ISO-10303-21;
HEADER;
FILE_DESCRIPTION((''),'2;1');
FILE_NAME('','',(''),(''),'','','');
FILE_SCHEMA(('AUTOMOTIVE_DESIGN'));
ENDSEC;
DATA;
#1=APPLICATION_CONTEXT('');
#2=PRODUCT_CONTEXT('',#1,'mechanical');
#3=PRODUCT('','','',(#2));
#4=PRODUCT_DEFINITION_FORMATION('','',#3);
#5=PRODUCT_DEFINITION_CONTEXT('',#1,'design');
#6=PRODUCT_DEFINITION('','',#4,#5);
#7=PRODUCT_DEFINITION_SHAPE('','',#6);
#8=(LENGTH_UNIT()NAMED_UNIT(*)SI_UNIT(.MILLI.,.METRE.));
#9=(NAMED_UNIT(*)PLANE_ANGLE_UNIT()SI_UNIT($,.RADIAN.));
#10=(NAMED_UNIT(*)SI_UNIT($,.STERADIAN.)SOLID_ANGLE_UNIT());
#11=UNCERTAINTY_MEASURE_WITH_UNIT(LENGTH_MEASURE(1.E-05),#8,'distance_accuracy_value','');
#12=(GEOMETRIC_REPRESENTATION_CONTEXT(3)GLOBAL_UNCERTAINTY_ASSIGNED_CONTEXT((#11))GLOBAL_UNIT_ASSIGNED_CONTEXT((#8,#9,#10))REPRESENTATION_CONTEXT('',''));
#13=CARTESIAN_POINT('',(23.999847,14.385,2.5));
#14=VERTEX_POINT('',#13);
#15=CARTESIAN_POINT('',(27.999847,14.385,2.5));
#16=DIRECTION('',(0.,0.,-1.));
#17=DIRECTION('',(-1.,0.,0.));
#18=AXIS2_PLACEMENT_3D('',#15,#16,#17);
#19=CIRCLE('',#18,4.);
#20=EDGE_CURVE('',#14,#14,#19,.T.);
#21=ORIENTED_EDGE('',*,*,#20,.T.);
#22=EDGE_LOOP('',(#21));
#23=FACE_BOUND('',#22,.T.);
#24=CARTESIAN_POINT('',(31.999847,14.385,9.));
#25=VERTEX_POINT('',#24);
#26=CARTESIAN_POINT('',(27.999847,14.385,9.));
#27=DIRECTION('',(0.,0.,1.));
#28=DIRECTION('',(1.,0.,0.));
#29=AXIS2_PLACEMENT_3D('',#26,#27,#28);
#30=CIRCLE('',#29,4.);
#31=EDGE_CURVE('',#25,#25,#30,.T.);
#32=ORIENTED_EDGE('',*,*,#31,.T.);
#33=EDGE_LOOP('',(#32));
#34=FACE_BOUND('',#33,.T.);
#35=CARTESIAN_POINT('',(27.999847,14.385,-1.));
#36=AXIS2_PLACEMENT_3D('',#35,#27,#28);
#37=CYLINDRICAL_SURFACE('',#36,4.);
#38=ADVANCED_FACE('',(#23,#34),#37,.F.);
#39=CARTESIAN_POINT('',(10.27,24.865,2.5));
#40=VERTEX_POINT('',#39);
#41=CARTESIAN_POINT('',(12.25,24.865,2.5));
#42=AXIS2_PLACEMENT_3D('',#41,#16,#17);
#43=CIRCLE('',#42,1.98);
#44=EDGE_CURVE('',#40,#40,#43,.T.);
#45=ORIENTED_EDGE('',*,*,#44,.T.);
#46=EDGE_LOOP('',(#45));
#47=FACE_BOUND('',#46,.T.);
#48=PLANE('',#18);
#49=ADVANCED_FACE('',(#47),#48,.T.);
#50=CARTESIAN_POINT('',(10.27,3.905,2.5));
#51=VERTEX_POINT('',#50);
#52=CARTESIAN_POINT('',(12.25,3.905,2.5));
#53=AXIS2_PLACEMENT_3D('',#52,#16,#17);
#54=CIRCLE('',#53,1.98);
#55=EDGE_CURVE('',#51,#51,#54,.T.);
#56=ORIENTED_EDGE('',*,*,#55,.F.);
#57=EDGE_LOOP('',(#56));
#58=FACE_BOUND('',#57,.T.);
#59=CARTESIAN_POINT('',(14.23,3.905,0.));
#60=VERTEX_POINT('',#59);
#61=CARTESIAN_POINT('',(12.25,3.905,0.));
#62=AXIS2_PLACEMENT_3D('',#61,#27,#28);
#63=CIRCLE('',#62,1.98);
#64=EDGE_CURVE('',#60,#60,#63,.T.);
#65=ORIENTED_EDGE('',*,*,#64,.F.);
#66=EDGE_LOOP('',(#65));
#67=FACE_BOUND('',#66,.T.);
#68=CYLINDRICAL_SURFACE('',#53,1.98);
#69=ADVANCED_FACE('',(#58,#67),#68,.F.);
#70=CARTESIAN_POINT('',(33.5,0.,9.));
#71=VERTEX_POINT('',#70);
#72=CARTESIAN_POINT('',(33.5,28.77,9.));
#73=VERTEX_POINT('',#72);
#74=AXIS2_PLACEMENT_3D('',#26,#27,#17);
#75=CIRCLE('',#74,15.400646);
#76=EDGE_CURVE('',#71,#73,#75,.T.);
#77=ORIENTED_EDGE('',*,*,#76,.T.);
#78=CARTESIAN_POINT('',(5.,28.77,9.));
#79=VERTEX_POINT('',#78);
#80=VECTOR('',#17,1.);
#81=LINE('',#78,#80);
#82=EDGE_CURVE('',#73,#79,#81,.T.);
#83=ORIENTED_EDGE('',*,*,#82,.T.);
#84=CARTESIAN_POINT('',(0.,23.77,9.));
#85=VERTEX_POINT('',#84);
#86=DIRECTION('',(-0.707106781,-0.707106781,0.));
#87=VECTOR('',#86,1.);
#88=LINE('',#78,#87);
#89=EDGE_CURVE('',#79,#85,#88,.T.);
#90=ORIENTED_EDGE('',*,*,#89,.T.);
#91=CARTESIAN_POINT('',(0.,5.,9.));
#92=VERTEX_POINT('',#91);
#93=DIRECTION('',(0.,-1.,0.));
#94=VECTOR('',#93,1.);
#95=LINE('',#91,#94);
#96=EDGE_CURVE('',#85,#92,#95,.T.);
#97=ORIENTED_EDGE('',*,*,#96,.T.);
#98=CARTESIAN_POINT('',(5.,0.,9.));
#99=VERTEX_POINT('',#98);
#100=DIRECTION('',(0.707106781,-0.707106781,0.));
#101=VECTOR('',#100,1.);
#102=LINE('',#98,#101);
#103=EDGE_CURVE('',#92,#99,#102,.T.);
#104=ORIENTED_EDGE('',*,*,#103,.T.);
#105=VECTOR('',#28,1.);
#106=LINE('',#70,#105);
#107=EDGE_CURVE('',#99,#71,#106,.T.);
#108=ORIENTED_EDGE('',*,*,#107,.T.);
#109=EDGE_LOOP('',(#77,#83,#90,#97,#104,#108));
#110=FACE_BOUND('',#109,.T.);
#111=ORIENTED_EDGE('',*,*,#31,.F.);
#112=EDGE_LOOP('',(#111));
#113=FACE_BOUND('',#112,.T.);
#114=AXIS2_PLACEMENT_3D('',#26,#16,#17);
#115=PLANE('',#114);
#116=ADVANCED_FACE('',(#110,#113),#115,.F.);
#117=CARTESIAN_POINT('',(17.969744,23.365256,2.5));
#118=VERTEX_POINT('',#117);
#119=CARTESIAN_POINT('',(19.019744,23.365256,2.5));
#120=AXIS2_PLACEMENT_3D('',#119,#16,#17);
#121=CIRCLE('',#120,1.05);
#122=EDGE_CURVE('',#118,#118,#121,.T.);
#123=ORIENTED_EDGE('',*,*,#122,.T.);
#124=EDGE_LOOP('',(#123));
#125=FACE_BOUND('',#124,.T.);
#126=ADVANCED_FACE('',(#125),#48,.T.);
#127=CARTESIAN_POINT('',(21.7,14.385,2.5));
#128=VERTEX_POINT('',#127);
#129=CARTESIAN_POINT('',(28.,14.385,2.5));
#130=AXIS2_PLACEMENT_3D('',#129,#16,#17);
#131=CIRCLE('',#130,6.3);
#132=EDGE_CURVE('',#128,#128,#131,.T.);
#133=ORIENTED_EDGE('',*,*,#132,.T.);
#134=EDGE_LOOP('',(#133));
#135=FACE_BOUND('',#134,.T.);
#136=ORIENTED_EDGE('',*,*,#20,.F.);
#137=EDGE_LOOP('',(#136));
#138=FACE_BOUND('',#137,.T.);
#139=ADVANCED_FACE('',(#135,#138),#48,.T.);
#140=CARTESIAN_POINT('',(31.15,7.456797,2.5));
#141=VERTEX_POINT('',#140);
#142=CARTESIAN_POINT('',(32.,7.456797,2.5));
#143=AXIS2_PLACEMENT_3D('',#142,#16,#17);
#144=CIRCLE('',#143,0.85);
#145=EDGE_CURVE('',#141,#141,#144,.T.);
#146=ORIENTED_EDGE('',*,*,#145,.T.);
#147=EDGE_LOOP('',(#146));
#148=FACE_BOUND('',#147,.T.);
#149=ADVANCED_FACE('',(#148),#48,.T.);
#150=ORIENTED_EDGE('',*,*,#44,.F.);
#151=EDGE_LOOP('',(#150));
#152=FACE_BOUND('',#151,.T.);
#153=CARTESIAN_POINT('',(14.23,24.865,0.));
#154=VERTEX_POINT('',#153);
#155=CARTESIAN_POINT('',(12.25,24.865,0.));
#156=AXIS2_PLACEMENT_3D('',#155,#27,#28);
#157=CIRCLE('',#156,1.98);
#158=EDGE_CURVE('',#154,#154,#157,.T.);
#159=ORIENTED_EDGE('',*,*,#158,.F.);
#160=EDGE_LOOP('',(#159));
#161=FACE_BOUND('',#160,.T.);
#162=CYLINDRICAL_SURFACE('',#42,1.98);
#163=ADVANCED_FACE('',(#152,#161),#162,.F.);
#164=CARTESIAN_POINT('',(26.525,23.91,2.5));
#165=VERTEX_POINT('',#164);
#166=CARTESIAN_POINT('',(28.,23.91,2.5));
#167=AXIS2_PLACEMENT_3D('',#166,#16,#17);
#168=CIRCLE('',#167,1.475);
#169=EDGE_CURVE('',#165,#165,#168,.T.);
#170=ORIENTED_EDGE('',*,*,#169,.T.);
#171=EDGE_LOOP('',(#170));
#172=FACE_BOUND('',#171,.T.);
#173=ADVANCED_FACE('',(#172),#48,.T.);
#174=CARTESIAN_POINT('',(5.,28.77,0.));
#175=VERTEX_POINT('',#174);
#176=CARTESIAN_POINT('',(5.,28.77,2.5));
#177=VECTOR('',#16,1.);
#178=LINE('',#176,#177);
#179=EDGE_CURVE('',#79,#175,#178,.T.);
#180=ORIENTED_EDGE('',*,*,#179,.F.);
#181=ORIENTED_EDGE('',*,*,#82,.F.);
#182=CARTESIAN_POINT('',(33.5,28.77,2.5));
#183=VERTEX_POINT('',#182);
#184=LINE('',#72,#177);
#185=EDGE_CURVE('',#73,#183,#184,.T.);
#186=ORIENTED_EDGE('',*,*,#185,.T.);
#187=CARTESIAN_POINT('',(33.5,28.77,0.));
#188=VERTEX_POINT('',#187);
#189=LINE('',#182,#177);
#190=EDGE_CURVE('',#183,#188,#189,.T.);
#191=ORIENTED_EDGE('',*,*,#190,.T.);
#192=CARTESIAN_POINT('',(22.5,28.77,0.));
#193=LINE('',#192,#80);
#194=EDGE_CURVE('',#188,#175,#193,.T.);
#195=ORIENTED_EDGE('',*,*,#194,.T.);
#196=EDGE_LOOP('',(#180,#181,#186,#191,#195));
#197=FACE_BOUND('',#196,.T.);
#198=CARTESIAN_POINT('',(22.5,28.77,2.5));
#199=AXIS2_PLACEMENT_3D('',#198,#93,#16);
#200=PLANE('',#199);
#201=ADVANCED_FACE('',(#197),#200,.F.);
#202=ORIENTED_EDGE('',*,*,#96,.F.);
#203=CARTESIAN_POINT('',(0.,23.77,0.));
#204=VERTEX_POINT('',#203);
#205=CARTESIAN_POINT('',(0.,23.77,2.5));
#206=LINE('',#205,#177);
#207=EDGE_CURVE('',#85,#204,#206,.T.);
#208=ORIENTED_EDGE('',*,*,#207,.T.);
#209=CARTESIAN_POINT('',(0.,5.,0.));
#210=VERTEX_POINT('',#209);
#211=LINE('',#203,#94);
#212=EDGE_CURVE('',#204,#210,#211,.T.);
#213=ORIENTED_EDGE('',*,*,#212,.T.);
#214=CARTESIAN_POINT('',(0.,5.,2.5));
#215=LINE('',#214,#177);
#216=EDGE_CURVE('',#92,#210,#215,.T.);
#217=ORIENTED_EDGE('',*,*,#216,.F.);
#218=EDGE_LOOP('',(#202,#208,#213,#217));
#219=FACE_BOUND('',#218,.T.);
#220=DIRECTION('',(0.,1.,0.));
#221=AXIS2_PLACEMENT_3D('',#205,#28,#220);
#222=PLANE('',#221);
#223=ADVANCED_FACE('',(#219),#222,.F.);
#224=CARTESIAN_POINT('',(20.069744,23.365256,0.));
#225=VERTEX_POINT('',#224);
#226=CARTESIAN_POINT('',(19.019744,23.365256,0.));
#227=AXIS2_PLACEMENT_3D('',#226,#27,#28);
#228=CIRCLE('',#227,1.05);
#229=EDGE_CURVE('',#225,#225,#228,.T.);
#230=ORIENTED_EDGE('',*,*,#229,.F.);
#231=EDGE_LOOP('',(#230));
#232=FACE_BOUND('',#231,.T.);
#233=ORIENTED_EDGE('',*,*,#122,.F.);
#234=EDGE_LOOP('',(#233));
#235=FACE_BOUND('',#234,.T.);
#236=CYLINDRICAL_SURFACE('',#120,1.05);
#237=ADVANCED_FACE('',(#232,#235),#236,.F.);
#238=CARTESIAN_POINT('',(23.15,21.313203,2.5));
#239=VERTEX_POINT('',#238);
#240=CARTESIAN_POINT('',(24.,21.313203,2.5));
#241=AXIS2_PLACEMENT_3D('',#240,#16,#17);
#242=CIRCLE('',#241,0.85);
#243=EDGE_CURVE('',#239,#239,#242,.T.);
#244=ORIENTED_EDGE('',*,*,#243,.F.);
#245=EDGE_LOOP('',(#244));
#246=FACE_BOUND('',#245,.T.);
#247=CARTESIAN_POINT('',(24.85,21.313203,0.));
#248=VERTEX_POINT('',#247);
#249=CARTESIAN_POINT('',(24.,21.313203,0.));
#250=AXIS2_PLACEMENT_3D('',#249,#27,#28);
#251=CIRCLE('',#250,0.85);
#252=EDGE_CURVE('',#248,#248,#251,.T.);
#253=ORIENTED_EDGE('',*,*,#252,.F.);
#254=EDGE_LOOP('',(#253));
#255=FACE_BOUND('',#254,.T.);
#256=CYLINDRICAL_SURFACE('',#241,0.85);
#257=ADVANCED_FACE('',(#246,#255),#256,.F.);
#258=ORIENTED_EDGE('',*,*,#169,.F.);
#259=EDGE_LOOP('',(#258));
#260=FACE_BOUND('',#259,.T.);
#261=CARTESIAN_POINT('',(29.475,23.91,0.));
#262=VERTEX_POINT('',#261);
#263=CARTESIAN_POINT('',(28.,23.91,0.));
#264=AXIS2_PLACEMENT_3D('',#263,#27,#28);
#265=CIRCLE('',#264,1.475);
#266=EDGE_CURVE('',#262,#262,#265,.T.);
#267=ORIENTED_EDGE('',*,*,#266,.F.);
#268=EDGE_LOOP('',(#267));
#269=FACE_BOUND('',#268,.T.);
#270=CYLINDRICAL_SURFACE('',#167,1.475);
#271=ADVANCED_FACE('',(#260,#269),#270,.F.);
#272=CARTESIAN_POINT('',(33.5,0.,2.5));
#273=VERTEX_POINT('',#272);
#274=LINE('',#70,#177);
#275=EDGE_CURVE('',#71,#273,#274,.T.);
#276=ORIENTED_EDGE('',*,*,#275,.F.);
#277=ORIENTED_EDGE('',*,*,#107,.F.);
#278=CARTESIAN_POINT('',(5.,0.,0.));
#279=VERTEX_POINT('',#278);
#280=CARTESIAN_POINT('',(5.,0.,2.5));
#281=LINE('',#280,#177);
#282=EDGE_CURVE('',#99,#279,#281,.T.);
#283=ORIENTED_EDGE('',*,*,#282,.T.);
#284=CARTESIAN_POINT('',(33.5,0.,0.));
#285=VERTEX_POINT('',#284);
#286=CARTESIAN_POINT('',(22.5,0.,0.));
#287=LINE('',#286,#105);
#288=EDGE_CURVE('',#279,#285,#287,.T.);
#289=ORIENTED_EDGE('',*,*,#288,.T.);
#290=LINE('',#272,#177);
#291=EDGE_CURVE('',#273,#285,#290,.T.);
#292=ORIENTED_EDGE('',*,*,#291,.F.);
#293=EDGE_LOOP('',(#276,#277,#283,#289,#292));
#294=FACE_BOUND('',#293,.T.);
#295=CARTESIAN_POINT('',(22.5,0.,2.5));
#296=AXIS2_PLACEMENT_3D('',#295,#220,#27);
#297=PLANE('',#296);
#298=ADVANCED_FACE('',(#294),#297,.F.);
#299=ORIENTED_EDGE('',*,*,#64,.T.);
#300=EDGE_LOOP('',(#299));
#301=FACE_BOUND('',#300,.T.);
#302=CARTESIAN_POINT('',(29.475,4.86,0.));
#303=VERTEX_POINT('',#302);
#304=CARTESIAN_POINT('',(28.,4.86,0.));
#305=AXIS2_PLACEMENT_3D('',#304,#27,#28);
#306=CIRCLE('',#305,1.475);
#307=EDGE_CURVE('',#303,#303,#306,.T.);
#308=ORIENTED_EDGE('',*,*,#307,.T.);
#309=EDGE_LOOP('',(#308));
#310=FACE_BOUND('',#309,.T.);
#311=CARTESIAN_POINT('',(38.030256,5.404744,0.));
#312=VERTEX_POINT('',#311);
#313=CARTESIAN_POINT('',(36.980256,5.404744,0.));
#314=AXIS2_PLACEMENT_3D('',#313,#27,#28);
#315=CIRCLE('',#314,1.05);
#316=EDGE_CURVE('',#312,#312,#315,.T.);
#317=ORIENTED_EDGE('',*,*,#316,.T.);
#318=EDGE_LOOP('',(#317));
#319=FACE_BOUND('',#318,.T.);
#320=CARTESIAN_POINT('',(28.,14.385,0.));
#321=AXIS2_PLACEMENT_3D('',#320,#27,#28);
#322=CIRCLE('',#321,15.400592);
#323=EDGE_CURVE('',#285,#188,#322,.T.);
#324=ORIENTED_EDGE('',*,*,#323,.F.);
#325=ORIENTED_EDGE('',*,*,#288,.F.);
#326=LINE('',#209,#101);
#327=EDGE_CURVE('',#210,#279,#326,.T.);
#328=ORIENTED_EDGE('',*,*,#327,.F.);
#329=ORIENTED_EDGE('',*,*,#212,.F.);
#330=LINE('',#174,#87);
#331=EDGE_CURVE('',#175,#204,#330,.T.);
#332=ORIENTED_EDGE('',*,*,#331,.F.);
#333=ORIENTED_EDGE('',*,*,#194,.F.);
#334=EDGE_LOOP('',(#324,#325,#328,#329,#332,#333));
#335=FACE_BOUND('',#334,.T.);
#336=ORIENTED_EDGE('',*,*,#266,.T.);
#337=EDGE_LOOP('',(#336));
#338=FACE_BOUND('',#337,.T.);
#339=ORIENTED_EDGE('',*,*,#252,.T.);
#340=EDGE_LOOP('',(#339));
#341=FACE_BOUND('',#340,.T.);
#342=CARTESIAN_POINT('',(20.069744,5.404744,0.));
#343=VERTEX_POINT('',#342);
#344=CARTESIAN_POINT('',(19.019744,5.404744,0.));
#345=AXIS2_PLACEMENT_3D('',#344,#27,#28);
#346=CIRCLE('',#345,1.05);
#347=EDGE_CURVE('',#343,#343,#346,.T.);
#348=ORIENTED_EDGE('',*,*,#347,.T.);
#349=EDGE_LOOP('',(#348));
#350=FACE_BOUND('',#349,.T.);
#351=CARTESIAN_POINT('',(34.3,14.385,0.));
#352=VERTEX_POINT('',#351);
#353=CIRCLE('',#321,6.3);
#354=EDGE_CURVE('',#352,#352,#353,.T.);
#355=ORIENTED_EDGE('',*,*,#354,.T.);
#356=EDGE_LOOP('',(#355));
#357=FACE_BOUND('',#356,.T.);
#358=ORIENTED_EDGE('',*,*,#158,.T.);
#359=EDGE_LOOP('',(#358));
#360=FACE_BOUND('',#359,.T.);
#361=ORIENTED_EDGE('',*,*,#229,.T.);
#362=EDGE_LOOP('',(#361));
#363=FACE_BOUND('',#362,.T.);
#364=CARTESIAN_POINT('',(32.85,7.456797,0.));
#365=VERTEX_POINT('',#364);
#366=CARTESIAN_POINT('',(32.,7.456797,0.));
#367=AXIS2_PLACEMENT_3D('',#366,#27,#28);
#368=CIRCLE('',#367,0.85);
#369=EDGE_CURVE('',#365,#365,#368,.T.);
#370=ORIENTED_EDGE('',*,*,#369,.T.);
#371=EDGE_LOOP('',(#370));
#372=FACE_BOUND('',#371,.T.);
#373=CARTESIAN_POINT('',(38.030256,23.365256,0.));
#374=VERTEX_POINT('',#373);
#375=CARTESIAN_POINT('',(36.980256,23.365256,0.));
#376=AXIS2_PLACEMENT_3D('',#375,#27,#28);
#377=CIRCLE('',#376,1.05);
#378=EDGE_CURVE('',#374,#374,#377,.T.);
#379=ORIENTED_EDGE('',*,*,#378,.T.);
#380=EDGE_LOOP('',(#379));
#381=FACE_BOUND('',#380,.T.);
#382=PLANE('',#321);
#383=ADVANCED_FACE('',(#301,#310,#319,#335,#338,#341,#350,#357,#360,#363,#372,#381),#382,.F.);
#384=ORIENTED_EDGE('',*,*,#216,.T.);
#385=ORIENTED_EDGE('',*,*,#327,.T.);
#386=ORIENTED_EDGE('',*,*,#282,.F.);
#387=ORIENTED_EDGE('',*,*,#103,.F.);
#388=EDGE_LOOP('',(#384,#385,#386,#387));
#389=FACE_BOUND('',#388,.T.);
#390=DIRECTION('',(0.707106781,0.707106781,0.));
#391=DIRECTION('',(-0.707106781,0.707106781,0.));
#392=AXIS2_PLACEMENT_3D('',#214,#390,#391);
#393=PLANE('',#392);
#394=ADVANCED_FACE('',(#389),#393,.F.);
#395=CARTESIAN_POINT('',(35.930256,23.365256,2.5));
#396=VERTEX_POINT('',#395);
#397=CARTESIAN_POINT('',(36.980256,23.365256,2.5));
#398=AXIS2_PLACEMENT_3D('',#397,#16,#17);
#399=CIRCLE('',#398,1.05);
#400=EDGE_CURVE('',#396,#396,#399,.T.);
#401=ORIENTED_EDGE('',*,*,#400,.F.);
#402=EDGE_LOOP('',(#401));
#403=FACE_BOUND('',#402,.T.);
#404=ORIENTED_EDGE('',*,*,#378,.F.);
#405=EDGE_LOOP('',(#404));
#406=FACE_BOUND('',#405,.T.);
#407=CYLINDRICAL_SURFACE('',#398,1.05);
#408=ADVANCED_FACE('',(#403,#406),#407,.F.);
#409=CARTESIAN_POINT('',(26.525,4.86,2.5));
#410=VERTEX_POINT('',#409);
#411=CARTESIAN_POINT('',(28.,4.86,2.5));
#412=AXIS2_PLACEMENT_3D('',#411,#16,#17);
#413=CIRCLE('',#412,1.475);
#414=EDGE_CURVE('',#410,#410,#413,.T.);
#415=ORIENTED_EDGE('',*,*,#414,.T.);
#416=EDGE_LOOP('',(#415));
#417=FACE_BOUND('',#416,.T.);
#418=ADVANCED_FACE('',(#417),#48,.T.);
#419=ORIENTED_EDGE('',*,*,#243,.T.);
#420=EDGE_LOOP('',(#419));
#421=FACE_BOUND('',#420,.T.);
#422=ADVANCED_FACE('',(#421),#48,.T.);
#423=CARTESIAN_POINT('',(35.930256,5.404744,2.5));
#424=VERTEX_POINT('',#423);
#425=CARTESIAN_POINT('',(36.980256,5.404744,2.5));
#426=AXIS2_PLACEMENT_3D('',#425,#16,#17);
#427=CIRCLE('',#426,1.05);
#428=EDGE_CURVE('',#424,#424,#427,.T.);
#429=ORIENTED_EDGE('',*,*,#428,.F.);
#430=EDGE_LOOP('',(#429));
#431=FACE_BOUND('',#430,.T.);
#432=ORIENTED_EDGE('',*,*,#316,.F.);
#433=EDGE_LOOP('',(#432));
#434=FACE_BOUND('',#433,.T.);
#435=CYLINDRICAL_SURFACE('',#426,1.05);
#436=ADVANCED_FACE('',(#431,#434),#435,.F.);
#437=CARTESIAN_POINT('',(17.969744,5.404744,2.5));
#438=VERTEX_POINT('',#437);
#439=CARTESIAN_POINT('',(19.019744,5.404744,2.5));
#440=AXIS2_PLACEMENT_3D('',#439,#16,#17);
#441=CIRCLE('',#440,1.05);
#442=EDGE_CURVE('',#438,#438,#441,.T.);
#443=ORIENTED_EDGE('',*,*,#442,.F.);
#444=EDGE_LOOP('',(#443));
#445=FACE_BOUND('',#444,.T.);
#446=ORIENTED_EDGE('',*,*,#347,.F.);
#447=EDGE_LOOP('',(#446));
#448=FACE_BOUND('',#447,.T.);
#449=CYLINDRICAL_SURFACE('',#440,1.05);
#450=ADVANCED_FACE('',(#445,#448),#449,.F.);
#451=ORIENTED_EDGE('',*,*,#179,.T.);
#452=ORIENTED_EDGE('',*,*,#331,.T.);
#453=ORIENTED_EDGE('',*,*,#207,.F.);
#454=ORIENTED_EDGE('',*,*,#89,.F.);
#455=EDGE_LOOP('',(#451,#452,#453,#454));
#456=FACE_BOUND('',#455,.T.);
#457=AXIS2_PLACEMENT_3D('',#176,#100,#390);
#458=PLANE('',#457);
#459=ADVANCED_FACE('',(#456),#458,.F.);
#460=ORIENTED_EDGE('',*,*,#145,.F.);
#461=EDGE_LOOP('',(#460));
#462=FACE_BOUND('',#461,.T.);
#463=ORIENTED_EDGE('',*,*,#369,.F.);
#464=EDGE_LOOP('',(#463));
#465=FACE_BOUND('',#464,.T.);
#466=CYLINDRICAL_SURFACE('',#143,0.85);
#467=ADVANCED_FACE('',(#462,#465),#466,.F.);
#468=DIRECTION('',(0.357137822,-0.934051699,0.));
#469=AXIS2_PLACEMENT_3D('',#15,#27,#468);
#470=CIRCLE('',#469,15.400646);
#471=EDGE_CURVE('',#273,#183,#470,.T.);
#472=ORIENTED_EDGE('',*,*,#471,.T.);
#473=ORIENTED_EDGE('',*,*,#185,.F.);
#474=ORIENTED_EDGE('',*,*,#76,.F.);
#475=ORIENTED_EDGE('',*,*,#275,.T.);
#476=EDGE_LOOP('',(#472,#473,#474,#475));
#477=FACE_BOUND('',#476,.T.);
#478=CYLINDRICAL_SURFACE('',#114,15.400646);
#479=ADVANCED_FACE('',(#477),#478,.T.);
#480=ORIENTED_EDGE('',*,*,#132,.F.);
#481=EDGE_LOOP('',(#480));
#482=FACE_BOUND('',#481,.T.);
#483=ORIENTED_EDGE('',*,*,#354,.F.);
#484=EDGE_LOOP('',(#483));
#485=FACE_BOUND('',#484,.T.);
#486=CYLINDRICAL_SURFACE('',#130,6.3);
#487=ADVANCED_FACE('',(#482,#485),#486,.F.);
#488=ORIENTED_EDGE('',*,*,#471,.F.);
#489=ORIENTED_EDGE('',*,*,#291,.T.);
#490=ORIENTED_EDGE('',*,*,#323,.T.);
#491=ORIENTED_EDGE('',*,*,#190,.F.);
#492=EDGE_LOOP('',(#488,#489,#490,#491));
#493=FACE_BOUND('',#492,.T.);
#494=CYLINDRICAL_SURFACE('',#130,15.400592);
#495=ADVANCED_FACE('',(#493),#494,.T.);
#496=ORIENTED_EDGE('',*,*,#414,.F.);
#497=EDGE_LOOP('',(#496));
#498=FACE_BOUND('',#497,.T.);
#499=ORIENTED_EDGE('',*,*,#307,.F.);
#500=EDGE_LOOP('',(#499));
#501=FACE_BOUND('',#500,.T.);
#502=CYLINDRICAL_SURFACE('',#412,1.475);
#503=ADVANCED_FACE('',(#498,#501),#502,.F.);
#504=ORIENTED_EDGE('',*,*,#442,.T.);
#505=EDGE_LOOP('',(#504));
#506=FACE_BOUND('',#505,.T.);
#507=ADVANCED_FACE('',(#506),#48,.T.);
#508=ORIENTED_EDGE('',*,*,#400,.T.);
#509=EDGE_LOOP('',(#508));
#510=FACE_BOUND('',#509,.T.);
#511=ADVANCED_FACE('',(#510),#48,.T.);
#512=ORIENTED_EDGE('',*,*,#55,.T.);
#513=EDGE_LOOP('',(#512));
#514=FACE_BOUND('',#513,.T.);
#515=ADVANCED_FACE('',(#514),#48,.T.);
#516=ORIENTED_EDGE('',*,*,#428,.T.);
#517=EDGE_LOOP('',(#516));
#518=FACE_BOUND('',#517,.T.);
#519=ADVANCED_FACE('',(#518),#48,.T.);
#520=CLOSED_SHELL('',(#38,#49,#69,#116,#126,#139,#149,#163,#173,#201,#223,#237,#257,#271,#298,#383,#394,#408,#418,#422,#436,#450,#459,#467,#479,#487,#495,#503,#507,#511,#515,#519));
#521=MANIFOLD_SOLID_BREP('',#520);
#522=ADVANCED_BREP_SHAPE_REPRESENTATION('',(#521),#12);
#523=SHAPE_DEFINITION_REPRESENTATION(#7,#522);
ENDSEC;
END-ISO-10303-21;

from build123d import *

# Parameters (mm, degrees)
ESQUISSE1_R             = 1.98
ESQUISSE1_R_2           = 6.3
ESQUISSE1_R_3           = 1.475
ESQUISSE1_R_4           = 1.05
ESQUISSE1_R_5           = 0.85
BOSS_EXTRU_2_DEPTH      = 2.5
BOSS_EXTRU_3_DEPTH      = 6.5
ESQUISSE3_R             = 4
ENL_V_MAT_EXTRU_1_DEPTH = 10


with BuildPart() as part:
    # Esquisse1 → Boss.-Extru.2 (new body)
    with BuildSketch(Plane.XY):
        with BuildLine():
            Line((22.5, 28.77), (5, 28.77))
            Line((5, 28.77), (0, 23.77))
            Line((0, 23.77), (0, 5))
            Line((0, 5), (5, 0))
            Line((5, 0), (22.5, 0))
            Line((22.5, 0), (33.5, 0))
            ThreePointArc((33.5, 0), (43.400591709, 14.385), (33.5, 28.77))
            Line((33.5, 28.77), (22.5, 28.77))
        make_face()
        with Locations((12.25, 3.905)):
            Circle(ESQUISSE1_R, mode=Mode.SUBTRACT)
        with Locations((12.25, 24.865)):
            Circle(ESQUISSE1_R, mode=Mode.SUBTRACT)
        with Locations((28, 14.385)):
            Circle(ESQUISSE1_R_2, mode=Mode.SUBTRACT)
        with Locations((28, 4.86)):
            Circle(ESQUISSE1_R_3, mode=Mode.SUBTRACT)
        with Locations((28, 23.91)):
            Circle(ESQUISSE1_R_3, mode=Mode.SUBTRACT)
        with Locations((36.980256121, 5.404743879)):
            Circle(ESQUISSE1_R_4, mode=Mode.SUBTRACT)
        with Locations((36.980256121, 23.365256121)):
            Circle(ESQUISSE1_R_4, mode=Mode.SUBTRACT)
        with Locations((19.019743879, 23.365256121)):
            Circle(ESQUISSE1_R_4, mode=Mode.SUBTRACT)
        with Locations((19.019743879, 5.404743879)):
            Circle(ESQUISSE1_R_4, mode=Mode.SUBTRACT)
        with Locations((24, 21.31320323)):
            Circle(ESQUISSE1_R_5, mode=Mode.SUBTRACT)
        with Locations((32, 7.45679677)):
            Circle(ESQUISSE1_R_5, mode=Mode.SUBTRACT)
    extrude(amount=BOSS_EXTRU_2_DEPTH)

    # Esquisse2 → Boss.-Extru.3 (add)
    with BuildSketch(Plane.XY.offset(2.5)):
        with BuildLine():
            Line((5, 28.77), (33.5, 28.77))
            ThreePointArc((33.5, 28.77), (43.400493129, 14.385), (33.5, 0))
            Line((33.5, 0), (5, 0))
            Line((5, 0), (0, 5))
            Line((0, 5), (0, 23.77))
            Line((0, 23.77), (5, 28.77))
        make_face()
    extrude(amount=BOSS_EXTRU_3_DEPTH)

    # Esquisse3 → Enlèv. mat.-Extru.1 (cut)
    with BuildSketch(Plane.XY.offset(9)):
        with Locations((27.999846655, 14.385)):
            Circle(ESQUISSE3_R)
    extrude(amount=-ENL_V_MAT_EXTRU_1_DEPTH, mode=Mode.SUBTRACT)


solid = part.part
